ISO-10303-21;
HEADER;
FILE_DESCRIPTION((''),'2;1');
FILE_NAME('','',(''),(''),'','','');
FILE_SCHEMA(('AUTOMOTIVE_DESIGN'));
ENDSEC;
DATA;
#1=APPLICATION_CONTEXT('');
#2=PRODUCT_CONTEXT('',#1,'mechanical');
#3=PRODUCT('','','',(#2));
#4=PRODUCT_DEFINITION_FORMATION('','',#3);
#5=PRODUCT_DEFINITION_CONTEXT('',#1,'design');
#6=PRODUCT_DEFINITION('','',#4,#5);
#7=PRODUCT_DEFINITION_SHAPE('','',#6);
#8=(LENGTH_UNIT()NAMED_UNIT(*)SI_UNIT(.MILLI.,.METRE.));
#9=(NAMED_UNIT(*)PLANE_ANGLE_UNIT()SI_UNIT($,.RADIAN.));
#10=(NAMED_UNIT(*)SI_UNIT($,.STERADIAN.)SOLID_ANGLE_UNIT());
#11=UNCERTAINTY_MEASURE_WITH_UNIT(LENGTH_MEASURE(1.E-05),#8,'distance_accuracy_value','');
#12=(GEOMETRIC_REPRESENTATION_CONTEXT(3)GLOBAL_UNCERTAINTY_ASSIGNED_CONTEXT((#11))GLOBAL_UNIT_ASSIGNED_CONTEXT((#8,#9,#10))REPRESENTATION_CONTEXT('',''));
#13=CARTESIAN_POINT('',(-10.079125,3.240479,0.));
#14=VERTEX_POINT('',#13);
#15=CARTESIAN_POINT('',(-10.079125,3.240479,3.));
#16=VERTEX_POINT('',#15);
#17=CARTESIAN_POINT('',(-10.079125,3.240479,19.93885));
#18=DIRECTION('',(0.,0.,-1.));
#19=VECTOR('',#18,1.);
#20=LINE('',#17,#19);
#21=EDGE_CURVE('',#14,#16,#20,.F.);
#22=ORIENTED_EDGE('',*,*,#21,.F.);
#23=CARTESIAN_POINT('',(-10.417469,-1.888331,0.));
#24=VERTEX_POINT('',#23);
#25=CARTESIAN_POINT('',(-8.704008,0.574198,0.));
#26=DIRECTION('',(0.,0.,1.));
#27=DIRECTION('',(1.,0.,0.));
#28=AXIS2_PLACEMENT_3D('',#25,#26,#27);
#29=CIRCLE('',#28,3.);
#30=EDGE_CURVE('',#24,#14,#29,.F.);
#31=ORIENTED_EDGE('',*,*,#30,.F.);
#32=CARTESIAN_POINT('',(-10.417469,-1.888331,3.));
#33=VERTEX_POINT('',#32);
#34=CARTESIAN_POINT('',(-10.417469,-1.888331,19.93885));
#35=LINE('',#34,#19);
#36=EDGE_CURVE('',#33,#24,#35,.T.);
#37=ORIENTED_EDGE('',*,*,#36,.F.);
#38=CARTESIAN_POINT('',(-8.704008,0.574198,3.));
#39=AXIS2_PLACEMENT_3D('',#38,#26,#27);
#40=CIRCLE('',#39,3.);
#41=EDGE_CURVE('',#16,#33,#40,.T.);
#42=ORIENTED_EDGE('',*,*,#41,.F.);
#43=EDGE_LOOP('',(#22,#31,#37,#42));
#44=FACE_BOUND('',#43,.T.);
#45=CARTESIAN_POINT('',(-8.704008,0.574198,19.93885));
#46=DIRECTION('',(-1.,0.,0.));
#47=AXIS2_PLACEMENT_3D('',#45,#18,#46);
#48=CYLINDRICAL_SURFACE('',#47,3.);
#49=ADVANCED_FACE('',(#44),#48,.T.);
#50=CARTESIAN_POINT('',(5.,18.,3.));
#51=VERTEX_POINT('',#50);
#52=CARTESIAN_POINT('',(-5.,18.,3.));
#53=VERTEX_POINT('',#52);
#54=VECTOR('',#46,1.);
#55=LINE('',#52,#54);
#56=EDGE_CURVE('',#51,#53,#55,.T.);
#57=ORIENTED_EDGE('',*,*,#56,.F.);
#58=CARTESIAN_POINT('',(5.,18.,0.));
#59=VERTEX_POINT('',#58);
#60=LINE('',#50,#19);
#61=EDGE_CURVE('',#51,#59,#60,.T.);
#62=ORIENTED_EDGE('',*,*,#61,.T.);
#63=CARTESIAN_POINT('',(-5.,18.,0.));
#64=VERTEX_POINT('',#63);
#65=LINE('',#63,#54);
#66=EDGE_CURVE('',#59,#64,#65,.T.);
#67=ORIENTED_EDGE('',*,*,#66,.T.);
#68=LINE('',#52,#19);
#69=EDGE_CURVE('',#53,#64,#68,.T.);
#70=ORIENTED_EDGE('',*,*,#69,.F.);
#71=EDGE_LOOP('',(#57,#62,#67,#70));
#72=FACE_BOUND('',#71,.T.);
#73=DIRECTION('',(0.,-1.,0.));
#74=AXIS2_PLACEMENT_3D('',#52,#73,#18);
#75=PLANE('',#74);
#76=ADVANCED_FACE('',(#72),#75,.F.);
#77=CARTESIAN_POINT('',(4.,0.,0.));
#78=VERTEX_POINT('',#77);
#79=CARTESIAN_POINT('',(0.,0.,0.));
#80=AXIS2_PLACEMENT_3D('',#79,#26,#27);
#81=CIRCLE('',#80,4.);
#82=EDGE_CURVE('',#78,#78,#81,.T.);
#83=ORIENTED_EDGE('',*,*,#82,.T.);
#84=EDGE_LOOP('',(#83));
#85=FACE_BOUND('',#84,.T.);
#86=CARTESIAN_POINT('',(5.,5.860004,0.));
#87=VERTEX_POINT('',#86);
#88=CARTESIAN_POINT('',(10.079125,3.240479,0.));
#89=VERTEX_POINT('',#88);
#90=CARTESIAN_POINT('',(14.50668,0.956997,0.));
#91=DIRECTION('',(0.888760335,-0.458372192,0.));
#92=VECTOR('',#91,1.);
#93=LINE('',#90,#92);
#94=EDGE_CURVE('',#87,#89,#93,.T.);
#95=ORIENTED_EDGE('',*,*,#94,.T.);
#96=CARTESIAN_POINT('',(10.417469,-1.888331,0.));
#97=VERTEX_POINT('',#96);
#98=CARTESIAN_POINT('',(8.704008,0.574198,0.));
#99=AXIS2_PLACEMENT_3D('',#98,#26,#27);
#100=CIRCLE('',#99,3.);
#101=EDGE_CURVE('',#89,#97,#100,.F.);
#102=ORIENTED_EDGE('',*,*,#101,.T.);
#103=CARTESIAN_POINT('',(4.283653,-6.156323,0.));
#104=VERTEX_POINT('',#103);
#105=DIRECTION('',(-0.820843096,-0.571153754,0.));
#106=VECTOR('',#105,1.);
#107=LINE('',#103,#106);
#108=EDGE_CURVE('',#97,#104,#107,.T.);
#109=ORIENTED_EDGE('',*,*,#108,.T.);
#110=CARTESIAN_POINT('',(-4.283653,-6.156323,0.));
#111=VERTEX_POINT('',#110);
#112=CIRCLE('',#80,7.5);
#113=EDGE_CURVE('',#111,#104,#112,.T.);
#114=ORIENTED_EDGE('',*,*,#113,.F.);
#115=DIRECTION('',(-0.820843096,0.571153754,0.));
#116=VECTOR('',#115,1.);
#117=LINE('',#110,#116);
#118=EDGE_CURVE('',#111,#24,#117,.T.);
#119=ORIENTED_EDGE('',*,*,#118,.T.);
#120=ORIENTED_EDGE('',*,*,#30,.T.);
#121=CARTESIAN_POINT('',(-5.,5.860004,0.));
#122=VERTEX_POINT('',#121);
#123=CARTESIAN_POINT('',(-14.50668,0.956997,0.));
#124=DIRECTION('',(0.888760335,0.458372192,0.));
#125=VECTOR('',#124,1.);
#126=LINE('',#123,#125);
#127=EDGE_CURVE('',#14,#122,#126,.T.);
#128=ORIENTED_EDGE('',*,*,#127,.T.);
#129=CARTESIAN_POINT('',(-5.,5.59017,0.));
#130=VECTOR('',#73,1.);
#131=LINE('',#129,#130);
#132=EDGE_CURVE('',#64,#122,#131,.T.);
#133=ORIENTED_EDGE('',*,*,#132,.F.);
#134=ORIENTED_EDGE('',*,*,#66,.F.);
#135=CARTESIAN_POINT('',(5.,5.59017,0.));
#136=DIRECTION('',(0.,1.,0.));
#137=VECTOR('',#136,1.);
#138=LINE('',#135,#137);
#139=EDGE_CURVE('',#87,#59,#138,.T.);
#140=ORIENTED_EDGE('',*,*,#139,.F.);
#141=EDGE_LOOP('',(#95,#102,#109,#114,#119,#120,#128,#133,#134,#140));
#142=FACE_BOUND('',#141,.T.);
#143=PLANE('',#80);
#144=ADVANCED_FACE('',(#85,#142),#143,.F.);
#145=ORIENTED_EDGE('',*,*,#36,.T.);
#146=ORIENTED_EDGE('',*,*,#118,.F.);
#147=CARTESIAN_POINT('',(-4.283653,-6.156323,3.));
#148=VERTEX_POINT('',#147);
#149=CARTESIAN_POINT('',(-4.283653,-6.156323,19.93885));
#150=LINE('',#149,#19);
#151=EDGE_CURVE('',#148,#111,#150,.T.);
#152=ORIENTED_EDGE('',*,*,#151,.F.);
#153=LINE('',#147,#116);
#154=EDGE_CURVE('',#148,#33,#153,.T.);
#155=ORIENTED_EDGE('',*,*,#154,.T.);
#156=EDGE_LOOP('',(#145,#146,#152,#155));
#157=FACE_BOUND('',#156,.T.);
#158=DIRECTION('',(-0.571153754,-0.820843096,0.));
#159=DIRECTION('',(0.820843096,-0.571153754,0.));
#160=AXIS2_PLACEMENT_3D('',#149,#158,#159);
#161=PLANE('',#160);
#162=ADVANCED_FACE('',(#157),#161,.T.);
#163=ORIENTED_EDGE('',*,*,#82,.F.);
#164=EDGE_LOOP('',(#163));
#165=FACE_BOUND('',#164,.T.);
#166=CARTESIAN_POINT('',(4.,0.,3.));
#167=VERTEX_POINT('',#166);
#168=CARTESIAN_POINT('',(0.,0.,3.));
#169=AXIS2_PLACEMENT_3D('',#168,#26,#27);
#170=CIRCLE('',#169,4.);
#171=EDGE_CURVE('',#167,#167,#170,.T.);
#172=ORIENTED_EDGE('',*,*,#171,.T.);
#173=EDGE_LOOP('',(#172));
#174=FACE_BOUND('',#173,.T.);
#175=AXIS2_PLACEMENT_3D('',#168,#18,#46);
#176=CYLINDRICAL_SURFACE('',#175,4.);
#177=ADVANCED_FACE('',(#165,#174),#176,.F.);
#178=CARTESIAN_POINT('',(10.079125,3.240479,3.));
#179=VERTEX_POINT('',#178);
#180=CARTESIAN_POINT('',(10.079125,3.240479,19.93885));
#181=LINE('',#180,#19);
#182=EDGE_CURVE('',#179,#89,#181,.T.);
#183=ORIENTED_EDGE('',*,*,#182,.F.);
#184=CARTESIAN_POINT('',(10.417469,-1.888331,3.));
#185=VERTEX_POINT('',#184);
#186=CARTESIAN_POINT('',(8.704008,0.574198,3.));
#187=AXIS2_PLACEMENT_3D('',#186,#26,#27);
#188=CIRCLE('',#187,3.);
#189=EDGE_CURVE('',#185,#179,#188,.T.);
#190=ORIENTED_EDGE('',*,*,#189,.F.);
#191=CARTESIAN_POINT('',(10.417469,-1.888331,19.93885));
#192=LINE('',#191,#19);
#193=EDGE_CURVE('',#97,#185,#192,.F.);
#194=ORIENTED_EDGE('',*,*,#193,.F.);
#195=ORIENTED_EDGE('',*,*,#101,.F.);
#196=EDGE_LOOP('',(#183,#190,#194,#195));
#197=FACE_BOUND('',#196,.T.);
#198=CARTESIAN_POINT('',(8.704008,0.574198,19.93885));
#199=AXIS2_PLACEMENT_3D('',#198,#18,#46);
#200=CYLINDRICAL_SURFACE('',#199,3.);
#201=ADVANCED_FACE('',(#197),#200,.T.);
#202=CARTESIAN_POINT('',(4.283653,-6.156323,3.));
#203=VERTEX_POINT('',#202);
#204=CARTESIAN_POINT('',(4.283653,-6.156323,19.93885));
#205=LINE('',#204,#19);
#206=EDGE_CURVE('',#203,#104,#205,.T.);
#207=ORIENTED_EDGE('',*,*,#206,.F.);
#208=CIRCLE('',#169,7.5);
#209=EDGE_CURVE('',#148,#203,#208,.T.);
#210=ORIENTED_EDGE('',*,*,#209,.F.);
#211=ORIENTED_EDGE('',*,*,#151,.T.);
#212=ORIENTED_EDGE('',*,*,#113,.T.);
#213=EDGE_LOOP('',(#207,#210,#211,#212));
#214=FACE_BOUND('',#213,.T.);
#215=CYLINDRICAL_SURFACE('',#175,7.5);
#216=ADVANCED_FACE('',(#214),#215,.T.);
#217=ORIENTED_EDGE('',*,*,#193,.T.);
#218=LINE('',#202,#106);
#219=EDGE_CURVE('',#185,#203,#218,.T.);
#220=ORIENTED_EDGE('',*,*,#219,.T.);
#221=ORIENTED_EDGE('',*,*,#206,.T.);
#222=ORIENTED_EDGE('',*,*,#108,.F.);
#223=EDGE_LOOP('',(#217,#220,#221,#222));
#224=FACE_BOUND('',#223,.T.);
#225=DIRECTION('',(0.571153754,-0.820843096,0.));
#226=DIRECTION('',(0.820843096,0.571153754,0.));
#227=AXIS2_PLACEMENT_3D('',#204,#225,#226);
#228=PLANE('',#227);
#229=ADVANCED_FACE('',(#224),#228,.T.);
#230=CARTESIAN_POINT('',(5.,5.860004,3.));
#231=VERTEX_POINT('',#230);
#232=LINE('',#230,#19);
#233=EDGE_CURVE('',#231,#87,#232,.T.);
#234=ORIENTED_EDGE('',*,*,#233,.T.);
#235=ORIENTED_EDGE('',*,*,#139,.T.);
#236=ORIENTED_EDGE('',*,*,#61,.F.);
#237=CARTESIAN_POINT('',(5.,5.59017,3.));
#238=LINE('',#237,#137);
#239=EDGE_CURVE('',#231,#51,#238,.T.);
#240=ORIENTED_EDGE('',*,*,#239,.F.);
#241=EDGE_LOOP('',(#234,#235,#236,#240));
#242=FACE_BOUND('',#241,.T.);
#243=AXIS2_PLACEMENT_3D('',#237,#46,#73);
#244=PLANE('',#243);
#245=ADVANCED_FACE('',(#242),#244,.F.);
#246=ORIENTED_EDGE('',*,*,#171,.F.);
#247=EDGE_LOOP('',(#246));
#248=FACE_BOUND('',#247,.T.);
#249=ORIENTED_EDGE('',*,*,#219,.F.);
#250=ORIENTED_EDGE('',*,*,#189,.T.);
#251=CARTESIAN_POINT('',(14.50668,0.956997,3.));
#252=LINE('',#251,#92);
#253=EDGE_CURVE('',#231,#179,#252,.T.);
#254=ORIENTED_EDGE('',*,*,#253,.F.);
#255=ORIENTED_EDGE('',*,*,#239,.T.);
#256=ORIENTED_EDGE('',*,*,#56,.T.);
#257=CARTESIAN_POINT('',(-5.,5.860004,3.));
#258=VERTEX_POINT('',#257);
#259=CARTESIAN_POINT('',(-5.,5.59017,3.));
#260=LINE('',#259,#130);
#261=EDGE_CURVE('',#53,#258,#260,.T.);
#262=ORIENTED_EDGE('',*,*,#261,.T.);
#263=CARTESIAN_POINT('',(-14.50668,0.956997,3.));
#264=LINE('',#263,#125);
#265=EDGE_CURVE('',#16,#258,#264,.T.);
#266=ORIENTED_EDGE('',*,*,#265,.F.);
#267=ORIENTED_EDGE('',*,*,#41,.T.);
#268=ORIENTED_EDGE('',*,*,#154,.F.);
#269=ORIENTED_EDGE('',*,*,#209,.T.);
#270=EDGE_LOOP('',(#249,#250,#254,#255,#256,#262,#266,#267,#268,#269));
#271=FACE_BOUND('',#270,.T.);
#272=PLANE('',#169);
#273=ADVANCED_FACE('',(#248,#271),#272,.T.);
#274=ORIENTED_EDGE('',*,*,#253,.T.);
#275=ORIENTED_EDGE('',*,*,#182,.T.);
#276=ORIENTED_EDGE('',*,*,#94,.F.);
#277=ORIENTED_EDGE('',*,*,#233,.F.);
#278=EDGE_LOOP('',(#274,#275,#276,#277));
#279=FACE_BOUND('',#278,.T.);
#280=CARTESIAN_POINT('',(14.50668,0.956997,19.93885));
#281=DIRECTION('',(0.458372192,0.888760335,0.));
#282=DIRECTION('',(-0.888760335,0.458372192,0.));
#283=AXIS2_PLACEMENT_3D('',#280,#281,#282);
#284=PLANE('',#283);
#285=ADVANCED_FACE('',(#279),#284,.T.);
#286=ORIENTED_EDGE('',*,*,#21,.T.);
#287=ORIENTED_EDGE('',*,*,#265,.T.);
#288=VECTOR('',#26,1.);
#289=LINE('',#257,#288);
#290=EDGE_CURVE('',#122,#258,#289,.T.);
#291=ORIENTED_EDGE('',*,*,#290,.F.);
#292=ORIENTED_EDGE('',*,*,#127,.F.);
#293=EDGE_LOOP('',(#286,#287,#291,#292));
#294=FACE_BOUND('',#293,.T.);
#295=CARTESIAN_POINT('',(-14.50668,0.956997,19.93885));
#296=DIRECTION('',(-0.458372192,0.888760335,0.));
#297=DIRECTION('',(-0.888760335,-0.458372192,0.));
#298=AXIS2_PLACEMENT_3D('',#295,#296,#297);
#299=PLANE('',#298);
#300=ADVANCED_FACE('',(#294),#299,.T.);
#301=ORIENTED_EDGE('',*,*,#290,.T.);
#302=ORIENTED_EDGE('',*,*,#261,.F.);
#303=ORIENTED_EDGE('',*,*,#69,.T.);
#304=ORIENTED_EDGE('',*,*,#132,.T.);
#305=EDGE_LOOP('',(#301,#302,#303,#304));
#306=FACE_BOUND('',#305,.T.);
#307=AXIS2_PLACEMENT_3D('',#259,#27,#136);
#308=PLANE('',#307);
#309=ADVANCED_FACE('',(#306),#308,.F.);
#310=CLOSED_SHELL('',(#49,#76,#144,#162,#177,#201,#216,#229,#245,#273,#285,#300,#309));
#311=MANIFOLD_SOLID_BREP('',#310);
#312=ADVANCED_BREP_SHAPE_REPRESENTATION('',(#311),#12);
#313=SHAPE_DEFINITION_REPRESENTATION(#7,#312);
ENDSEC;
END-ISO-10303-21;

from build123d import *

# Parameters (mm, degrees)
SKETCH1_R           = 4
BOSS_EXTRUDE1_DEPTH = 3
BOSS_EXTRUDE2_DEPTH = 3
FILLET1_R           = 3


with BuildPart() as part:
    # Sketch1 → Boss-Extrude1 (new body)
    with BuildSketch(Plane.XY):
        with BuildLine():
            Line((-5, 5.590169944), (-5, 18))
            Line((-5, 18), (5, 18))
            Line((5, 18), (5, 5.590169944))
            ThreePointArc((5, 5.590169944), (0, -7.5), (-5, 5.590169944))
        make_face()
        Circle(SKETCH1_R, mode=Mode.SUBTRACT)
    extrude(amount=BOSS_EXTRUDE1_DEPTH)

    # Sketch2 → Boss-Extrude2 (add)
    with BuildSketch(Plane(origin=(0, 0, 0), x_dir=(-1, 0, 0), z_dir=(0, 0, -1))):
        with BuildLine():
            Line((-4.283653157, -6.156323223), (-14.506679921, 0.956997388))
            Line((-14.506679921, 0.956997388), (-3.437791444, 6.665702513))
            ThreePointArc((-3.437791444, 6.665702513), (-7.483733204, 0.493697605), (-4.283653157, -6.156323223))
        make_face()
        with BuildLine():
            Line((4.283653157, -6.156323223), (14.506679921, 0.956997388))
            Line((14.506679921, 0.956997388), (3.437791444, 6.665702513))
            ThreePointArc((3.437791444, 6.665702513), (7.483733204, 0.493697605), (4.283653157, -6.156323223))
        make_face()
    extrude(amount=-BOSS_EXTRUDE2_DEPTH)

    # Fillet1
    fillet1_edges = [part.edges().sort_by_distance(p)[0] for p in [
        (14.506679921, 0.956997388, 1.5),
        (-14.506679921, 0.956997388, 1.5),
    ]]
    fillet(fillet1_edges, radius=FILLET1_R)


solid = part.part
